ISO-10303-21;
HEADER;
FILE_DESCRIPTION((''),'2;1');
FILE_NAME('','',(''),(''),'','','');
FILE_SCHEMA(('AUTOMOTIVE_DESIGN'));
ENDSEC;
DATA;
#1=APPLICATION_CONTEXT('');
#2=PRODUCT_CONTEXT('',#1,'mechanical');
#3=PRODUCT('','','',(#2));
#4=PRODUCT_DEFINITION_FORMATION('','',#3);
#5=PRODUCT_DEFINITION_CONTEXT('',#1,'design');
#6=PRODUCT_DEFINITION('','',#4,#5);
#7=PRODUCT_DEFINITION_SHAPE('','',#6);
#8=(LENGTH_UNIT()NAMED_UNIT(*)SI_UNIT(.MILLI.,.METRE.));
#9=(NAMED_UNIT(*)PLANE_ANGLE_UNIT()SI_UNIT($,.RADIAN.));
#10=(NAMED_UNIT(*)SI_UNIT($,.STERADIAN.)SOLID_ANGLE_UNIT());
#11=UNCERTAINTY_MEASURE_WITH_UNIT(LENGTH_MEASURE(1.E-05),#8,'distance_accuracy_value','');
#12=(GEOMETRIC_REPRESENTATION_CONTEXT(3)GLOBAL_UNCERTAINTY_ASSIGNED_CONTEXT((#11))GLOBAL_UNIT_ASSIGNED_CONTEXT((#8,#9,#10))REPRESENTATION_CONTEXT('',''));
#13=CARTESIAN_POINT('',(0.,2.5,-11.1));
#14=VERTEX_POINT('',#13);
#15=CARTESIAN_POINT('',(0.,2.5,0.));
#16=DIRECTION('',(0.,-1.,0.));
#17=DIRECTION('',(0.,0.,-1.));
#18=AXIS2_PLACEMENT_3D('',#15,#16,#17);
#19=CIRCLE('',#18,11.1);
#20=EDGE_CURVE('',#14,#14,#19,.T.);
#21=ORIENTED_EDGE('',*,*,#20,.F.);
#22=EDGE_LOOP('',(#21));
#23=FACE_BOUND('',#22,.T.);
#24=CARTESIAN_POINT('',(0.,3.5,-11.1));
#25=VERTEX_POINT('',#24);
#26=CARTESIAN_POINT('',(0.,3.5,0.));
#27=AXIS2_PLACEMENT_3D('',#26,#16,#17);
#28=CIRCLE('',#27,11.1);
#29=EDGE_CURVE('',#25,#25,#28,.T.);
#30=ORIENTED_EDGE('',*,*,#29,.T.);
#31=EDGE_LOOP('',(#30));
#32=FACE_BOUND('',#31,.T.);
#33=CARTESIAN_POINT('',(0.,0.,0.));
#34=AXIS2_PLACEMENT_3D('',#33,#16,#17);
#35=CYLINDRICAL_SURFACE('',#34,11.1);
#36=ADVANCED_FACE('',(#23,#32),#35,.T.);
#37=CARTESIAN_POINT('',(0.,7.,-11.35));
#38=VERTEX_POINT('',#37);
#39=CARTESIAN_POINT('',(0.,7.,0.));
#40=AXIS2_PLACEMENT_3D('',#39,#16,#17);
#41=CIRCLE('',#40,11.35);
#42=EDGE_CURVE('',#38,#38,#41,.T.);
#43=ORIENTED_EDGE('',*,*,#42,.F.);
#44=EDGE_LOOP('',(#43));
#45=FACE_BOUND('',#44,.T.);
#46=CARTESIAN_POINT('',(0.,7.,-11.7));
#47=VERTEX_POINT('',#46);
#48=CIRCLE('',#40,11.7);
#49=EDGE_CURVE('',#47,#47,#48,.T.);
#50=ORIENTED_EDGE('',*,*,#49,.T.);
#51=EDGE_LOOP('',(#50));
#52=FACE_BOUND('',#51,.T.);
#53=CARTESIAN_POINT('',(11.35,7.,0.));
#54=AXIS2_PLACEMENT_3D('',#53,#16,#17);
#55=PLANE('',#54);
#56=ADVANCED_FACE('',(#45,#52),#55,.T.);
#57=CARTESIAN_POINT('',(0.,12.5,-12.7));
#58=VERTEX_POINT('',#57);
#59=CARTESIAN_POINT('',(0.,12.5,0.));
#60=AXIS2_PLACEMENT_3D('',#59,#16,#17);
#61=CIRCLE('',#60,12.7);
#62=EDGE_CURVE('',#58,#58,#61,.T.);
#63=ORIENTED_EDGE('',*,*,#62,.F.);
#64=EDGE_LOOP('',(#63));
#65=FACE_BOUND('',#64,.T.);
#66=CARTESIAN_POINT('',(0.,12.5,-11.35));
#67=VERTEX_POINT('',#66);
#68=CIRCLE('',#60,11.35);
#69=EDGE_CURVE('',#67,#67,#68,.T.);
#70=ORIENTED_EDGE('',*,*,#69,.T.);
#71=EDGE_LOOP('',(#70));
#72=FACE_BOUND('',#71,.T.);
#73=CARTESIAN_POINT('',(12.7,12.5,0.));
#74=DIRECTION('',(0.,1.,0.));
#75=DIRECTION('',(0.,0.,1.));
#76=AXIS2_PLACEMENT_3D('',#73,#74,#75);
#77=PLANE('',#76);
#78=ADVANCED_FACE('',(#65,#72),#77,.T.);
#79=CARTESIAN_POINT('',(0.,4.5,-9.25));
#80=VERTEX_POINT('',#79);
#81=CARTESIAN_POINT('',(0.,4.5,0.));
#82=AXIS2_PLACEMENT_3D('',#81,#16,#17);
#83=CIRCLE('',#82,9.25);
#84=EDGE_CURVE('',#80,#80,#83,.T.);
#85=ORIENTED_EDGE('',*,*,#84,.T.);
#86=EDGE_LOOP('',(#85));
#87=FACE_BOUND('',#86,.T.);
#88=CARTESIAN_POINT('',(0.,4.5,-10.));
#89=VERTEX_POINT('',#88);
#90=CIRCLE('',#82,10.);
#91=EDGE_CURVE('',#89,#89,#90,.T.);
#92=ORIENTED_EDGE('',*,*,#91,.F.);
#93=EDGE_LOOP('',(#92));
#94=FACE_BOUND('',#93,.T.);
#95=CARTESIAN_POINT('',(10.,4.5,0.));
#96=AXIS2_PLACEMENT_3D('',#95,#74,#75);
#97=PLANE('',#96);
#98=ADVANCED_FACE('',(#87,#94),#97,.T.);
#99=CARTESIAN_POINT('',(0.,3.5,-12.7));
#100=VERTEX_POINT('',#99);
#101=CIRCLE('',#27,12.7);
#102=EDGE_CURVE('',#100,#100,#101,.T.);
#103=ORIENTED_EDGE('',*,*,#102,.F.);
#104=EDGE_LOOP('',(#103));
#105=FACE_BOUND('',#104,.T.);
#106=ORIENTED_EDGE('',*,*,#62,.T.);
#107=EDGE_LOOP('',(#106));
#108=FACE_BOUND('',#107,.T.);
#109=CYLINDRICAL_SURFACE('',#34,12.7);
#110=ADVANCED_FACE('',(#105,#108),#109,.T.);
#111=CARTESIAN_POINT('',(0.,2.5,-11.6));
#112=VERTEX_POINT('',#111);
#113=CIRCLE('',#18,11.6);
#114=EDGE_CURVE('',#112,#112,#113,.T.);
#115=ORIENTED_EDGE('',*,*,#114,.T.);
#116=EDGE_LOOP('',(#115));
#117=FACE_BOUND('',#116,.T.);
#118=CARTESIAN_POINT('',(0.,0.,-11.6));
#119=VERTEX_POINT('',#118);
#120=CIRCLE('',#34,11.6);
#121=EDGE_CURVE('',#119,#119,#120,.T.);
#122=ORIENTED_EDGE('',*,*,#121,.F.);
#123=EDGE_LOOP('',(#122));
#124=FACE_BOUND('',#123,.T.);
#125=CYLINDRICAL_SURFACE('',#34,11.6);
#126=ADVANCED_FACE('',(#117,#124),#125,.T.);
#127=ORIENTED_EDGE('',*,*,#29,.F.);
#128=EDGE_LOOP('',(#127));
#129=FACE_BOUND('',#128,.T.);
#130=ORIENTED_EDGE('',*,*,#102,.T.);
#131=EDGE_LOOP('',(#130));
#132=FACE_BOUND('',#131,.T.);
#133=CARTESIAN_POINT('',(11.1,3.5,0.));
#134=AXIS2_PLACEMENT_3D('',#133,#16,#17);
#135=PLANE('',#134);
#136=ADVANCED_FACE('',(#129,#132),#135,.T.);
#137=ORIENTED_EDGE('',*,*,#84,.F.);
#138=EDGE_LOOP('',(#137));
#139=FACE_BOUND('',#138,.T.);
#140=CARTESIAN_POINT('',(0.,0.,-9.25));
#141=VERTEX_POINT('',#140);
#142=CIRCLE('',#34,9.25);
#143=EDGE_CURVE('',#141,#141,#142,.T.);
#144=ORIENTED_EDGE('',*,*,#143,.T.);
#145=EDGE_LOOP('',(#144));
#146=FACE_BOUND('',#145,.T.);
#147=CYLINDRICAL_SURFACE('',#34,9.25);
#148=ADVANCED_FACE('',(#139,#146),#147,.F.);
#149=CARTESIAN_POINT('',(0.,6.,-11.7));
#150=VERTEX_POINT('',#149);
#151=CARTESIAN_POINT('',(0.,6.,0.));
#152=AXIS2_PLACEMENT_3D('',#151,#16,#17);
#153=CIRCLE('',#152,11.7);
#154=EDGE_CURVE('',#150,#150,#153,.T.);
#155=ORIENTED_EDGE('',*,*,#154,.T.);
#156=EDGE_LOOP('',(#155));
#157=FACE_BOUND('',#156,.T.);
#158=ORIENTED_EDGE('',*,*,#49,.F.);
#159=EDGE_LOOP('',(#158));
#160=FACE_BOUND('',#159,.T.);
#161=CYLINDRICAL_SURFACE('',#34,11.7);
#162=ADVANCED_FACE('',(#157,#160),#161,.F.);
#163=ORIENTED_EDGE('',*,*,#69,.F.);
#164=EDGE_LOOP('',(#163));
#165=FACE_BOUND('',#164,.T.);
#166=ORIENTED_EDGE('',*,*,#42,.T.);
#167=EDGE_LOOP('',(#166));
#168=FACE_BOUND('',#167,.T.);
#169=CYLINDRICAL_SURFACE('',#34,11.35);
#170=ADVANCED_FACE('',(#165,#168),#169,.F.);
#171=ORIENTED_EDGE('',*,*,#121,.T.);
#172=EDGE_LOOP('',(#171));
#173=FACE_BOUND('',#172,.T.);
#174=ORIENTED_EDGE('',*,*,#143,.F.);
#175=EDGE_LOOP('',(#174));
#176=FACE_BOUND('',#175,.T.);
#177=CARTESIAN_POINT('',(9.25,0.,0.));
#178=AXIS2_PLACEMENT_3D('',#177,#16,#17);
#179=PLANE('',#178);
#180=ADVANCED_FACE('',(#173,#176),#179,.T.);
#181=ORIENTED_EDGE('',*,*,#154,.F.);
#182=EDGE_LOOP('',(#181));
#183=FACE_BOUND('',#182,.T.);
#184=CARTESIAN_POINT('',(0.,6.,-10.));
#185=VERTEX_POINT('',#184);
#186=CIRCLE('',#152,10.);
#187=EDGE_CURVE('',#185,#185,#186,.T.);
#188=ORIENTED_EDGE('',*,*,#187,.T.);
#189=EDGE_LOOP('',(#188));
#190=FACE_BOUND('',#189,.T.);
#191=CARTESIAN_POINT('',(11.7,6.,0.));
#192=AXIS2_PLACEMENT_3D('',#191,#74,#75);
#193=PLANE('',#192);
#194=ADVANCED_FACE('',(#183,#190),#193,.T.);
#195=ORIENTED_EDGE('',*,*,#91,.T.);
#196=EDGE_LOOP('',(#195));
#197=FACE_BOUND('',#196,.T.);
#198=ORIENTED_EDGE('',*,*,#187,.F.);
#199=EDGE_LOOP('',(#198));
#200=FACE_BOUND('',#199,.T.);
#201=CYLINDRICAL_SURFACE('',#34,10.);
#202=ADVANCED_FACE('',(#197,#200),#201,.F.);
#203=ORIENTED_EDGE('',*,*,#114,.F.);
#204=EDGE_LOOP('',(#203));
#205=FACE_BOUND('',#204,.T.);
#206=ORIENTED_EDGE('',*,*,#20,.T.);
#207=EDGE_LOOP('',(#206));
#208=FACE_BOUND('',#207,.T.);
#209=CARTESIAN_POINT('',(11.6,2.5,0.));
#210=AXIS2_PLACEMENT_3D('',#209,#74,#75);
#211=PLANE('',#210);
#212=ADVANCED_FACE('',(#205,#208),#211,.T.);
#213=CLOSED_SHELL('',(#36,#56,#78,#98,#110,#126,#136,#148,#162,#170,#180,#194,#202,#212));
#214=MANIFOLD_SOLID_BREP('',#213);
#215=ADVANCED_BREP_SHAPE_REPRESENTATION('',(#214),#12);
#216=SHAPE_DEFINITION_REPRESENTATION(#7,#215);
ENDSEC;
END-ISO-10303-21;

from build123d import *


with BuildPart() as part:
    # 草图1 → 旋转1 (revolve)
    with BuildSketch(Plane.XY, mode=Mode.PRIVATE) as revolve_1_sk:
        Polygon((9.25, 0), (11.6, 0), (11.6, 2.5), (11.1, 2.5), (11.1, 3.5), (12.7, 3.5), (12.7, 12.5), (11.35, 12.5), (11.35, 7), (11.7, 7), (11.7, 6), (10, 6), (10, 4.5), (9.25, 4.5), align=None)
    revolve(revolve_1_sk.sketch.rotate(Axis((0, 0, 0), (0, 1, 0)), 90), axis=Axis((0, 0, 0), (0, 1, 0)))  # turned: the seam where the file's is


solid = part.part
